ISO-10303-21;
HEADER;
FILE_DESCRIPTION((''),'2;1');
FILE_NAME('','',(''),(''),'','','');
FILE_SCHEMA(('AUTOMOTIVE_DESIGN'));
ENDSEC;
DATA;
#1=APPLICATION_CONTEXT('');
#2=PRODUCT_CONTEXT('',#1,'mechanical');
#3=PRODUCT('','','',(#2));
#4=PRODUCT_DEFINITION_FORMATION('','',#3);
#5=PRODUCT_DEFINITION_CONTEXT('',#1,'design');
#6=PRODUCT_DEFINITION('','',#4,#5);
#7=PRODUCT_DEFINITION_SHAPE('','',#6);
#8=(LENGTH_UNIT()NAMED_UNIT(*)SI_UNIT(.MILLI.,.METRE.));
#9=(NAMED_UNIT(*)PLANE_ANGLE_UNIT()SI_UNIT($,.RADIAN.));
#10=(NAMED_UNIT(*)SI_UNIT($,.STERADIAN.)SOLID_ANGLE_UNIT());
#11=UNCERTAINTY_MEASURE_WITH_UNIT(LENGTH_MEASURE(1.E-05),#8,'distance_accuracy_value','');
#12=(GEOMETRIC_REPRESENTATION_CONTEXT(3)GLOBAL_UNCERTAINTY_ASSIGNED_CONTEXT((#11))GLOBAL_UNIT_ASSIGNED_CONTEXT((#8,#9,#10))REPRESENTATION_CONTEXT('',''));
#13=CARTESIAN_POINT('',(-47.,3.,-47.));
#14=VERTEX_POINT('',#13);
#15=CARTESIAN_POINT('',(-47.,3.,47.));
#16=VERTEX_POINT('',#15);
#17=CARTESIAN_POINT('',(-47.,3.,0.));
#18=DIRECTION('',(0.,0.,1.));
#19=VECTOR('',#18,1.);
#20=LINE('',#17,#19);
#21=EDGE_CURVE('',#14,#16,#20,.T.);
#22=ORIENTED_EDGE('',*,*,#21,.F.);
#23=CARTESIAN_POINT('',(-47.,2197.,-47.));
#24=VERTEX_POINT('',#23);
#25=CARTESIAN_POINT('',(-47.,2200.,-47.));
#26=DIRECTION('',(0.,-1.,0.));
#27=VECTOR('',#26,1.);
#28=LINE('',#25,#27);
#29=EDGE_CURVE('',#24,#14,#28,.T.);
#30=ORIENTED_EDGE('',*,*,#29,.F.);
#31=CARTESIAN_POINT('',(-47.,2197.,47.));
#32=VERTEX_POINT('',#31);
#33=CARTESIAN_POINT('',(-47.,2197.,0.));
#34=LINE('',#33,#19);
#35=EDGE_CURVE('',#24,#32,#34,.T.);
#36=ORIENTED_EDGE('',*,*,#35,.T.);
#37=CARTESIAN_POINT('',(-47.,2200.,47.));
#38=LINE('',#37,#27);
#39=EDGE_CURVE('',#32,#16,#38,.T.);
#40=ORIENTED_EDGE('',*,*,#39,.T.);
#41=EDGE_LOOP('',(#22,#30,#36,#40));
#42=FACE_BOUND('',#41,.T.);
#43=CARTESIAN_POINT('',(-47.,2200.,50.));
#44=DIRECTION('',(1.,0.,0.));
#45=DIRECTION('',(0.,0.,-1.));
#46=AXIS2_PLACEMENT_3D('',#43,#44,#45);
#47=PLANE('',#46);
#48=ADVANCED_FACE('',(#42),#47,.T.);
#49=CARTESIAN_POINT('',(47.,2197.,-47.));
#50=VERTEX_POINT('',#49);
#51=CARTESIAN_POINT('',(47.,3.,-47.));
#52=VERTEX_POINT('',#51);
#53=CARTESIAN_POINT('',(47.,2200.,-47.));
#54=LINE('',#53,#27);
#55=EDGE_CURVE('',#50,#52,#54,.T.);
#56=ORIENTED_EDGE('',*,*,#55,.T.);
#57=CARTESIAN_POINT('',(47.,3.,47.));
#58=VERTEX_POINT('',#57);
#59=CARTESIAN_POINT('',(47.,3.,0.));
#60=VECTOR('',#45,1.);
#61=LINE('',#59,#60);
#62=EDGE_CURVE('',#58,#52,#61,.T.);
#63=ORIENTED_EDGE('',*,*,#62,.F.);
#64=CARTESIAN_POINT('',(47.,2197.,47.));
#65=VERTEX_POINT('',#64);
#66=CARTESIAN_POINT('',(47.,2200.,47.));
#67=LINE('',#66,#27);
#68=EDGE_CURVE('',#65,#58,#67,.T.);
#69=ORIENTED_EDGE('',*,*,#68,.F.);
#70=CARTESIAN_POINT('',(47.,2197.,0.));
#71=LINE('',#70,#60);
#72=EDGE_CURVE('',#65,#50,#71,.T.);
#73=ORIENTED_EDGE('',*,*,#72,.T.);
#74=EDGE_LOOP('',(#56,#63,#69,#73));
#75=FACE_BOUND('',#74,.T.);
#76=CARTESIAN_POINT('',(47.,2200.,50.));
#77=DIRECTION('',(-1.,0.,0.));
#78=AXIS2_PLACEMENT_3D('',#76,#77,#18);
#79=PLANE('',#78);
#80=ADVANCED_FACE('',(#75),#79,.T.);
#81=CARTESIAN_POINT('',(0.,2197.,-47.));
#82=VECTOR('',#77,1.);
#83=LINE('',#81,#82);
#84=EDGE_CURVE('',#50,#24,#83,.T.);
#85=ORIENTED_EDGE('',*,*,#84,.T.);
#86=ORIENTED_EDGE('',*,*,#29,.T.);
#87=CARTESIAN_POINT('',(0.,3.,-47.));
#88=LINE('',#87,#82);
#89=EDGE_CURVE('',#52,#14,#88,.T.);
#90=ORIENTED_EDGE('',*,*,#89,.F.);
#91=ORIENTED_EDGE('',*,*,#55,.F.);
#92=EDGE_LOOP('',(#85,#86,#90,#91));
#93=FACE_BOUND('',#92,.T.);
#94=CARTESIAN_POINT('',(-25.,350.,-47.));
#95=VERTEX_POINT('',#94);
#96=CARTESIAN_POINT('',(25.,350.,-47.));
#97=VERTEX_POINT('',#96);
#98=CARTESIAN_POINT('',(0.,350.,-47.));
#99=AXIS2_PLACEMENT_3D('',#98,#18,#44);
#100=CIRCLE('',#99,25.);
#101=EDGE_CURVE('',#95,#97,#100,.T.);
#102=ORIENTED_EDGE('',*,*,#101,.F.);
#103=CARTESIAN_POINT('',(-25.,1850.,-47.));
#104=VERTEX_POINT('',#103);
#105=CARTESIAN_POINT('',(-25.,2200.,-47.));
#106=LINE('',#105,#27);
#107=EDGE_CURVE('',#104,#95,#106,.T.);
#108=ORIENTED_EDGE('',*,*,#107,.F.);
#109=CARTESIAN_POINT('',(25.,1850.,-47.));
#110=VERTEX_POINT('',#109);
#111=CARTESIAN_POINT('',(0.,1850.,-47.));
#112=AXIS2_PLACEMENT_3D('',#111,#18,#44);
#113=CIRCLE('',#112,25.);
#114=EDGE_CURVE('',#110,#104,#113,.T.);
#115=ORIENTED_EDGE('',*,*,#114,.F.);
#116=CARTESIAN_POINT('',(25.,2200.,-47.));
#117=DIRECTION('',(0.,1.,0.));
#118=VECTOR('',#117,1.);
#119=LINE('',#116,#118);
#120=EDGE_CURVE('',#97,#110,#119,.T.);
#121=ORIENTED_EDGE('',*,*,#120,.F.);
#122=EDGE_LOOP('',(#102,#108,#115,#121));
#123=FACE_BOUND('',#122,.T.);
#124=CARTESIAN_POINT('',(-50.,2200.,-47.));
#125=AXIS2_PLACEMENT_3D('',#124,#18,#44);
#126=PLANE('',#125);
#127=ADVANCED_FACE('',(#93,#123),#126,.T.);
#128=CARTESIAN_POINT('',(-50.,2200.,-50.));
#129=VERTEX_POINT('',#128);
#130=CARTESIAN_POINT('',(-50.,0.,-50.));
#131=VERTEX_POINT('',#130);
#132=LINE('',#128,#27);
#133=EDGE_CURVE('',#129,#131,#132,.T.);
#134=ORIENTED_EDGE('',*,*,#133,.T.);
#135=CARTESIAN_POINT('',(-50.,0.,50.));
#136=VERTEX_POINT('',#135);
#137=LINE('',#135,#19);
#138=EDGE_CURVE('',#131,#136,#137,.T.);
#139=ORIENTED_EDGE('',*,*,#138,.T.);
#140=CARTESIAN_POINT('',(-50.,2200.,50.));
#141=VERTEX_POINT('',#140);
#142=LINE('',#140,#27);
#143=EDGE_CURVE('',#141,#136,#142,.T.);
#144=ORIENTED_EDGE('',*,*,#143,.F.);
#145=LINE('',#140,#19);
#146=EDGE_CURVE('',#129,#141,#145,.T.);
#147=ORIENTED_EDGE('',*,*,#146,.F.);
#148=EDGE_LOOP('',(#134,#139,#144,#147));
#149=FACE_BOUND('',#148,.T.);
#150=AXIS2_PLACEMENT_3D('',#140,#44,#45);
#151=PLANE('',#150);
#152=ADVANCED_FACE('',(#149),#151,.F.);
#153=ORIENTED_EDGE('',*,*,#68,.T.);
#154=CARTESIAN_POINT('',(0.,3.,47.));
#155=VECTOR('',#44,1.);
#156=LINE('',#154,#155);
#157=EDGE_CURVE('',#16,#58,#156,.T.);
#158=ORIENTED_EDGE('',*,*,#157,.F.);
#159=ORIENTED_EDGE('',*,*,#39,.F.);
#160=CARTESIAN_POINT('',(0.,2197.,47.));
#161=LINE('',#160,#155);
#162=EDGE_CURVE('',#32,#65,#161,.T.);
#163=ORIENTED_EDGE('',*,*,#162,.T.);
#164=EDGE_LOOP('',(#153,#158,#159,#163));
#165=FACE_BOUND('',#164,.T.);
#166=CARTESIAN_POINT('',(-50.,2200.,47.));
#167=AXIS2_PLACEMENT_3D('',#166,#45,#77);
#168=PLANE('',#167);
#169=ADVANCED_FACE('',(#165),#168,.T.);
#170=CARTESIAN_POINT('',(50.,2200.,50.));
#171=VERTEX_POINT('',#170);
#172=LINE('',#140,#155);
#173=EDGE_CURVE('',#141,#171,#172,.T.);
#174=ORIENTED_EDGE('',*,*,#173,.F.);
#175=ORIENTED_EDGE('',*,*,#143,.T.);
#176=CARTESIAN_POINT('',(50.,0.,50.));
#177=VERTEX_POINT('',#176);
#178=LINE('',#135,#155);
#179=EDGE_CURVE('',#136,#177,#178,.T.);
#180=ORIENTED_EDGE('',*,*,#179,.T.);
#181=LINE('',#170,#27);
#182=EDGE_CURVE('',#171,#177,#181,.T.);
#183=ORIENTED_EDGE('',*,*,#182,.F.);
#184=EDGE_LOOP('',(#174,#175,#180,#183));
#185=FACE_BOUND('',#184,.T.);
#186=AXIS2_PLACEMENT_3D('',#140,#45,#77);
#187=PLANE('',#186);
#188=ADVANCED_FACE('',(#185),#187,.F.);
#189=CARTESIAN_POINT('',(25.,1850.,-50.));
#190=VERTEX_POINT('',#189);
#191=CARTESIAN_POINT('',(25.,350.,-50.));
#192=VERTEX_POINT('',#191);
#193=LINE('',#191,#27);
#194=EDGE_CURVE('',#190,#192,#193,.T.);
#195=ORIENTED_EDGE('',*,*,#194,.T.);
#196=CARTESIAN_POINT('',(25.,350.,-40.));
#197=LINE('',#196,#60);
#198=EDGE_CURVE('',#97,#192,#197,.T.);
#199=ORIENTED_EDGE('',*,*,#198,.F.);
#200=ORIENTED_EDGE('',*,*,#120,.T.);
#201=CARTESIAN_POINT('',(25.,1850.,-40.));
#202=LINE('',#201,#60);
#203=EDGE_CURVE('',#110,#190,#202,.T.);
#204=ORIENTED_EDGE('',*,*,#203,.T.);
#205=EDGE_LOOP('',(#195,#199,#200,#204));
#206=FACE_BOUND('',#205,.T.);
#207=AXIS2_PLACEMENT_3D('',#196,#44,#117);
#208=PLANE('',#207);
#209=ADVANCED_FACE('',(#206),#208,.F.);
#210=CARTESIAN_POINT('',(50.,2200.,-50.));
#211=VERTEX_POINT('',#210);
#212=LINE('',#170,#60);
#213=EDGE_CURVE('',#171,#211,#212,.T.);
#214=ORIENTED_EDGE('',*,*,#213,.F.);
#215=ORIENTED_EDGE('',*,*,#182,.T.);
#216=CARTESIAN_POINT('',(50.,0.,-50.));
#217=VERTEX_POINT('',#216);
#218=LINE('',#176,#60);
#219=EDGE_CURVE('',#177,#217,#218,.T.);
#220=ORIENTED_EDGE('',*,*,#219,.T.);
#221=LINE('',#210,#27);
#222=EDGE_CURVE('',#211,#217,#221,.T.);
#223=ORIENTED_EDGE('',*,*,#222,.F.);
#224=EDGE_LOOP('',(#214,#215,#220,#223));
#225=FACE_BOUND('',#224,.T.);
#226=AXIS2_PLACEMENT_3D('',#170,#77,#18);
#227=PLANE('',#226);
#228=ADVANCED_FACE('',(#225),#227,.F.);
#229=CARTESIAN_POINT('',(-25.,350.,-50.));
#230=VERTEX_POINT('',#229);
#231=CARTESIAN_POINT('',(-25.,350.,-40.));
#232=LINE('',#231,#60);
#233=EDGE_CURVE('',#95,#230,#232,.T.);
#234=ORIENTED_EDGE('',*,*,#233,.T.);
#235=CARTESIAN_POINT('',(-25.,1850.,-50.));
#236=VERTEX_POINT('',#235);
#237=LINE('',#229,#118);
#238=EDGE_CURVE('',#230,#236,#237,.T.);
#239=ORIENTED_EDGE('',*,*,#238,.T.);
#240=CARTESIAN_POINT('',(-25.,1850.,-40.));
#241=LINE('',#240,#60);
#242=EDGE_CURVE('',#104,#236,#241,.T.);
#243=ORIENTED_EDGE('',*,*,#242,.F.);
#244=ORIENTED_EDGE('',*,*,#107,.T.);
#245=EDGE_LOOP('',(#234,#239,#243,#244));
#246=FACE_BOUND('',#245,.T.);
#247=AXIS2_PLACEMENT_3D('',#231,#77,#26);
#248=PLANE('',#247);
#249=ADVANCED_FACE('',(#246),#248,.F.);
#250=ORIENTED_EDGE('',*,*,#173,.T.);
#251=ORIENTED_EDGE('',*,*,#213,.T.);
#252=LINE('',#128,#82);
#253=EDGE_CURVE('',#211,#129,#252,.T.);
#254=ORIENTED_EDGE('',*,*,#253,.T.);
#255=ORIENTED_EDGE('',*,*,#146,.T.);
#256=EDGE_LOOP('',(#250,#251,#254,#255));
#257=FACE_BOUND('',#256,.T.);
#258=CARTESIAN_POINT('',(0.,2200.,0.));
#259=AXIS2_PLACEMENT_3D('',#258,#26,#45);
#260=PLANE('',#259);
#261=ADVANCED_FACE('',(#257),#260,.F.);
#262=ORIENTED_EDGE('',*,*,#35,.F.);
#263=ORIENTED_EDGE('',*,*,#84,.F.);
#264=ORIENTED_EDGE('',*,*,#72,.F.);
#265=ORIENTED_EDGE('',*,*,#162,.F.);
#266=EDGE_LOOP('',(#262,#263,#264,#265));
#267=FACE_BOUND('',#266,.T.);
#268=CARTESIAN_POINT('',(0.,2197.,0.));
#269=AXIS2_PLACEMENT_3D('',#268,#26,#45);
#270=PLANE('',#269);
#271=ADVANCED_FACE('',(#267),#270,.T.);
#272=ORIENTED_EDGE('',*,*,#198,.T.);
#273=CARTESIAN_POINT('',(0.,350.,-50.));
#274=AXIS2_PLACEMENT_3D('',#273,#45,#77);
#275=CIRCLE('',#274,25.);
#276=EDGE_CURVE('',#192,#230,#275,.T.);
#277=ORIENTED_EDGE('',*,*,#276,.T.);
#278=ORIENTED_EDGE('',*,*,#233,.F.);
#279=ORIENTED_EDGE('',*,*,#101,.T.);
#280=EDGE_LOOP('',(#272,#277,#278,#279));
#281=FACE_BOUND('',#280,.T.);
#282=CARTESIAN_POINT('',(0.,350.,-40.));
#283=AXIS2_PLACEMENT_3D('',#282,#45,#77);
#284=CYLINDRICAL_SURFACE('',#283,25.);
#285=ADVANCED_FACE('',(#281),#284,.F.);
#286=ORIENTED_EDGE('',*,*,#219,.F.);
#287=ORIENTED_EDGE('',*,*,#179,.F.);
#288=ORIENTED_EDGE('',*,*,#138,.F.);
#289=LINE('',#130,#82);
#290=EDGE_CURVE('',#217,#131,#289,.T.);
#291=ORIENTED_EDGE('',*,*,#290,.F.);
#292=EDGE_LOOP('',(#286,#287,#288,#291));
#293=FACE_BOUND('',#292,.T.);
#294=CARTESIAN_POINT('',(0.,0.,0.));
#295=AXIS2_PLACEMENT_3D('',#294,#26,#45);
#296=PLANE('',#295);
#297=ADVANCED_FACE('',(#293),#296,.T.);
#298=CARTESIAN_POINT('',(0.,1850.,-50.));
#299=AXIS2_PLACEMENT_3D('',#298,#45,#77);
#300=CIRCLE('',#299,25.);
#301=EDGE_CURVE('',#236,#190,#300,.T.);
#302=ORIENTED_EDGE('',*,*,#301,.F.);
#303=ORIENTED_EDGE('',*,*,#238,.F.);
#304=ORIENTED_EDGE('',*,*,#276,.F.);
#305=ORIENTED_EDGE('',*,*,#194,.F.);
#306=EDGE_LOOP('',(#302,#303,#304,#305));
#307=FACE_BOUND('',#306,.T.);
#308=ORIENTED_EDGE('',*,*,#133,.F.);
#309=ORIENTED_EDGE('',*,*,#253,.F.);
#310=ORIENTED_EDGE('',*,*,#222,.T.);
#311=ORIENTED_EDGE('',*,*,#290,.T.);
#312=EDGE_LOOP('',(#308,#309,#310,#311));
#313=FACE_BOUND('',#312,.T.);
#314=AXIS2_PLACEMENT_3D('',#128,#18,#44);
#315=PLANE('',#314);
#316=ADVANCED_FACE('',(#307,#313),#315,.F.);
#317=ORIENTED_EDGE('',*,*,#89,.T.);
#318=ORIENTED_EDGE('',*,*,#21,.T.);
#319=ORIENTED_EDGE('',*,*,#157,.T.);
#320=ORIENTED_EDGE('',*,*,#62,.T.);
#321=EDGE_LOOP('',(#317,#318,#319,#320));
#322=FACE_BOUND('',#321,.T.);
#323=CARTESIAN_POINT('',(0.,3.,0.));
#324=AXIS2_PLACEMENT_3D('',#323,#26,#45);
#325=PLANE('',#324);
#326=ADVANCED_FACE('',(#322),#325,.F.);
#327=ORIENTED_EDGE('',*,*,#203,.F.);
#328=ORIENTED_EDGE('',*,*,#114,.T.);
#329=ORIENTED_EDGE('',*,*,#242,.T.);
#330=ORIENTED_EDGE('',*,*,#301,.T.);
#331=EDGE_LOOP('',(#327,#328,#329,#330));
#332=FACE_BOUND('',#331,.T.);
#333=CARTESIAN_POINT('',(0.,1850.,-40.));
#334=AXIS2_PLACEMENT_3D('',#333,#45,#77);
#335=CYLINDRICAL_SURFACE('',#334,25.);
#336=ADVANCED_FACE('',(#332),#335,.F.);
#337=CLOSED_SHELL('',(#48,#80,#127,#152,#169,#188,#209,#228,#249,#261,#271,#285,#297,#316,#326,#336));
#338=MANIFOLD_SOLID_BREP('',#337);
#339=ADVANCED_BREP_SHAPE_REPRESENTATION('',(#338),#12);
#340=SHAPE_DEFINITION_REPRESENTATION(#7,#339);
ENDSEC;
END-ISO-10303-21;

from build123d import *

# Parameters (mm, degrees)
SKETCH1_W           = 100
SKETCH1_H           = 100
BOSS_EXTRUDE1_DEPTH = 2200
SHELL1_T            = 3
CUT_EXTRUDE2_DEPTH  = 10


with BuildPart() as part:
    # Sketch1 → Boss-Extrude1 (new body)
    with BuildSketch(Plane(origin=(0, 0, 0), x_dir=(1, 0, 0), z_dir=(0, 1, 0))):
        Rectangle(SKETCH1_W, SKETCH1_H)
    extrude(amount=BOSS_EXTRUDE1_DEPTH)

    # Shell1 (no face opened: a closed hollow body)
    add(offset(amount=-SHELL1_T, mode=Mode.PRIVATE), mode=Mode.SUBTRACT)

    # Sketch3 → Cut-Extrude2 (cut)
    with BuildSketch(Plane(origin=(0, 0, -50), x_dir=(-1, 0, 0), z_dir=(0, 0, -1))):
        with BuildLine():
            Line((-25, 350), (-25, 1850))
            ThreePointArc((-25, 1850), (0, 1875), (25, 1850))
            Line((25, 1850), (25, 350))
            ThreePointArc((25, 350), (0, 325), (-25, 350))
        make_face()
    extrude(amount=-CUT_EXTRUDE2_DEPTH, mode=Mode.SUBTRACT)


solid = part.part
